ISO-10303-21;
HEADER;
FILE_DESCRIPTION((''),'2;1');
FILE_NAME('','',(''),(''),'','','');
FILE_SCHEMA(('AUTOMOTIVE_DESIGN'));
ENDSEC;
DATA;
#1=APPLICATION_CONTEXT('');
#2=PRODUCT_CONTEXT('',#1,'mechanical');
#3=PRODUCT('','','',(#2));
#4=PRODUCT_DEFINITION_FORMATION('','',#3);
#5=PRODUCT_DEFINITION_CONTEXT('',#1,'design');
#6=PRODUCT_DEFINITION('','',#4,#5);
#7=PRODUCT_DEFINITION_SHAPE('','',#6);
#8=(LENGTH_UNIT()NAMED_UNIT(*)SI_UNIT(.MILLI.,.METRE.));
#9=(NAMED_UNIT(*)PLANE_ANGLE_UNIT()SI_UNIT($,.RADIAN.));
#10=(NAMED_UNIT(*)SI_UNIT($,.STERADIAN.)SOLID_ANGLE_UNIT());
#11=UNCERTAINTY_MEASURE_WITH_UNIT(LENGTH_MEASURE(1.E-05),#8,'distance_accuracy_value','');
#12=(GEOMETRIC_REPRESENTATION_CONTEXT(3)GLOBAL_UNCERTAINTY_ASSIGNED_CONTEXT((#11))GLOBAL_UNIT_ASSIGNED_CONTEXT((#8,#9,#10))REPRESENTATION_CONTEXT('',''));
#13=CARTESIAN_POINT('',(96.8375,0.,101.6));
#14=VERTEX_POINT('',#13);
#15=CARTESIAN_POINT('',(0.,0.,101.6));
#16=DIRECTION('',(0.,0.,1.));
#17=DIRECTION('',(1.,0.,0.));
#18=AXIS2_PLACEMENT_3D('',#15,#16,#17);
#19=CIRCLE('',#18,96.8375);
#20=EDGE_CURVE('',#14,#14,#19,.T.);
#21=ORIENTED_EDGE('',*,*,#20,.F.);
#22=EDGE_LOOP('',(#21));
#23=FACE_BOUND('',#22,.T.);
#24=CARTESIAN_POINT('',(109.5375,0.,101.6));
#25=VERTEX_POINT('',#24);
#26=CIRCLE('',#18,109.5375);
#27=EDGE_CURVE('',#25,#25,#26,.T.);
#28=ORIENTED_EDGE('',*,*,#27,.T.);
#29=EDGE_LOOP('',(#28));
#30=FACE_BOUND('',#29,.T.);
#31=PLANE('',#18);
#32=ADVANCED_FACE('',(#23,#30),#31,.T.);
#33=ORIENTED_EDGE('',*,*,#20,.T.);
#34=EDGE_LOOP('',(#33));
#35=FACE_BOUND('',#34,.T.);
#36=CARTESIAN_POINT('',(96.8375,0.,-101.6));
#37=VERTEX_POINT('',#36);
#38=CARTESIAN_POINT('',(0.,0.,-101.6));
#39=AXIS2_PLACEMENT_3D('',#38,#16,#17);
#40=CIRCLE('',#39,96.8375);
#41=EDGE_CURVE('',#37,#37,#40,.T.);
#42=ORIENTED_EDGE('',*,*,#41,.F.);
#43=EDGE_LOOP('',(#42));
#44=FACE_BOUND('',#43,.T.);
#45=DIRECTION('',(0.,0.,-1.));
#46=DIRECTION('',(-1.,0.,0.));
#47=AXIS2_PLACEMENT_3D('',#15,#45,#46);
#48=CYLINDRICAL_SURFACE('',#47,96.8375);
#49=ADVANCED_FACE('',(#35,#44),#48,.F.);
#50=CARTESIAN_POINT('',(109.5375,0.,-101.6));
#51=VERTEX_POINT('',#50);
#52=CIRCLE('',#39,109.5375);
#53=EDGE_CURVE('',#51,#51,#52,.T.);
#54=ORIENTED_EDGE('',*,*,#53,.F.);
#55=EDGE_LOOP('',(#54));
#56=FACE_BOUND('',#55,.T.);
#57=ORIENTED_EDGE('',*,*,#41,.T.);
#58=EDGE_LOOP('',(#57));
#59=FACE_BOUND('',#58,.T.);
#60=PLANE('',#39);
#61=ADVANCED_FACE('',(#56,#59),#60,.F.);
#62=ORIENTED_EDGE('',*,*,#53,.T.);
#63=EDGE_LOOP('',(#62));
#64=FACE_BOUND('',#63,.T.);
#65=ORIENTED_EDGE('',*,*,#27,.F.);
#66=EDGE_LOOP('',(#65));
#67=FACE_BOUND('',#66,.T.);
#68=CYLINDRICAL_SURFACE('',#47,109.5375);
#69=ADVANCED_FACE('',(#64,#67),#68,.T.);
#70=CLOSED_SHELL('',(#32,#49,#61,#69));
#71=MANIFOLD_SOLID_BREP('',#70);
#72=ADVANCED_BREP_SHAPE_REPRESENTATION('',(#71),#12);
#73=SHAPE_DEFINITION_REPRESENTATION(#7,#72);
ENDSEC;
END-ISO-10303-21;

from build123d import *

# Parameters (mm, degrees)
SKETCH1_R           = 109.5375
SKETCH1_R_2         = 96.8375
EXTRUDE_THIN1_DEPTH = 101.6


with BuildPart() as part:
    # Sketch1 → Extrude-Thin1 (new, symmetric)
    with BuildSketch(Plane.XY):
        Circle(SKETCH1_R)
        Circle(SKETCH1_R_2, mode=Mode.SUBTRACT)
    extrude(amount=EXTRUDE_THIN1_DEPTH, both=True)


solid = part.part
